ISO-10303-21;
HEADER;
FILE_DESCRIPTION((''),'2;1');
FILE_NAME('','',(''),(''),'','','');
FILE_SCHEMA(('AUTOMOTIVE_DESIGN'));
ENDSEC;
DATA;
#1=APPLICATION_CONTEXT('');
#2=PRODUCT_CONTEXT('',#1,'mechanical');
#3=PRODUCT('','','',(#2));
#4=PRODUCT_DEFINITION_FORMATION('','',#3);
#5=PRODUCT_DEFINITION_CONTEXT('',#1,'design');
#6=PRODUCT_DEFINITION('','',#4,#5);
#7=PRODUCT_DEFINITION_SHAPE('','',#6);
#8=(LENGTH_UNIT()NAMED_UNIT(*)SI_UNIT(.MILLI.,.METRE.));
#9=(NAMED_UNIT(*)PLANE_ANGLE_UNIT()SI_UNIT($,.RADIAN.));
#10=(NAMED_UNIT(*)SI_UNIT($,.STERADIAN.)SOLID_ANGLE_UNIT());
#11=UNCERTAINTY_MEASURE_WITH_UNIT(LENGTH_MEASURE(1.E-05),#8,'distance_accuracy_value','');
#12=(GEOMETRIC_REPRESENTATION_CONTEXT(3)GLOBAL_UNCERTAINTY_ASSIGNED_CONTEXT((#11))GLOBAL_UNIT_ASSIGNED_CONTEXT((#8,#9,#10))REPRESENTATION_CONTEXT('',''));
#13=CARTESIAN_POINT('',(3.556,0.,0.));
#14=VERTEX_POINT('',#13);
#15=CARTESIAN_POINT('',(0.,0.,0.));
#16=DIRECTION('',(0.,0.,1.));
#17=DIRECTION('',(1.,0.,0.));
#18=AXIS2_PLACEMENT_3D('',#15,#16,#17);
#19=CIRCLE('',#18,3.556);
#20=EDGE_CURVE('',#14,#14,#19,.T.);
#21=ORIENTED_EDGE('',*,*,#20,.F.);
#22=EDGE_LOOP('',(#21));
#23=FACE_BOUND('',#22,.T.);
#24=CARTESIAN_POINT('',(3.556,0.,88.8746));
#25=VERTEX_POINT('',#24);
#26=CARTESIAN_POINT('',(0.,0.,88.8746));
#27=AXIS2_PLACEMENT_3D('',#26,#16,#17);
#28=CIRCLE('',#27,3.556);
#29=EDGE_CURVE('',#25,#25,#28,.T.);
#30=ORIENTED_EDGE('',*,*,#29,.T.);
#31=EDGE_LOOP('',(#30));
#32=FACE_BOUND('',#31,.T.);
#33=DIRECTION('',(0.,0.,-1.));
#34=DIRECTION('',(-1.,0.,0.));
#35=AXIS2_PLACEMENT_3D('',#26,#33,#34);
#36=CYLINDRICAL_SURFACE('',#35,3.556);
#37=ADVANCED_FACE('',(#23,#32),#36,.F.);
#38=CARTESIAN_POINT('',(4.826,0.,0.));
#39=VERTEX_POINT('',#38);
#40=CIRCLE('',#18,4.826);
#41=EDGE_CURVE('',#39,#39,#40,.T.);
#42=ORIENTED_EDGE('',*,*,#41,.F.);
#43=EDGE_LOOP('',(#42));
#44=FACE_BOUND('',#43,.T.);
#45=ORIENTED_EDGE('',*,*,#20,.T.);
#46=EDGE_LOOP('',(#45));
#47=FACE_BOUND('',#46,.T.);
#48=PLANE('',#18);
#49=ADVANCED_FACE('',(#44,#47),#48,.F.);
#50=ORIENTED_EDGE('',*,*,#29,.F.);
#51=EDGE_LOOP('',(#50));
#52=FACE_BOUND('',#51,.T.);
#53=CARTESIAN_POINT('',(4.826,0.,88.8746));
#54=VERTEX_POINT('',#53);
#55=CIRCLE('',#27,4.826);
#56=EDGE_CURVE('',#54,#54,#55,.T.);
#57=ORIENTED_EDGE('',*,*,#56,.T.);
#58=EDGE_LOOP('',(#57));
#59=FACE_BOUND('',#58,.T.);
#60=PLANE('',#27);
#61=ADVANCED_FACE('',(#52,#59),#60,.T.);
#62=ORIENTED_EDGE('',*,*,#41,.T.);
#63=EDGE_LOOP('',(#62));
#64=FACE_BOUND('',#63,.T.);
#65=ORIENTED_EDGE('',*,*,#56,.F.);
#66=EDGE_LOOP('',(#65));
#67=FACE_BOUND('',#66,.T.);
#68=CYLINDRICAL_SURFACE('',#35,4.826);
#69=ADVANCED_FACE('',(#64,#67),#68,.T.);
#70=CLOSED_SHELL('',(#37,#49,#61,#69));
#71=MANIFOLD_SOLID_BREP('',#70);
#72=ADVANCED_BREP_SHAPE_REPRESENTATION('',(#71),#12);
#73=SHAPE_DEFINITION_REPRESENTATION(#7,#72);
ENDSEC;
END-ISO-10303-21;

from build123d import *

# Parameters (mm, degrees)
SKETCH1_R           = 4.826
SKETCH1_R_2         = 3.556
BOSS_EXTRUDE1_DEPTH = 88.8746


with BuildPart() as part:
    # Sketch1 → Boss-Extrude1 (new body)
    with BuildSketch(Plane.XY):
        Circle(SKETCH1_R)
        Circle(SKETCH1_R_2, mode=Mode.SUBTRACT)
    extrude(amount=BOSS_EXTRUDE1_DEPTH)


solid = part.part
